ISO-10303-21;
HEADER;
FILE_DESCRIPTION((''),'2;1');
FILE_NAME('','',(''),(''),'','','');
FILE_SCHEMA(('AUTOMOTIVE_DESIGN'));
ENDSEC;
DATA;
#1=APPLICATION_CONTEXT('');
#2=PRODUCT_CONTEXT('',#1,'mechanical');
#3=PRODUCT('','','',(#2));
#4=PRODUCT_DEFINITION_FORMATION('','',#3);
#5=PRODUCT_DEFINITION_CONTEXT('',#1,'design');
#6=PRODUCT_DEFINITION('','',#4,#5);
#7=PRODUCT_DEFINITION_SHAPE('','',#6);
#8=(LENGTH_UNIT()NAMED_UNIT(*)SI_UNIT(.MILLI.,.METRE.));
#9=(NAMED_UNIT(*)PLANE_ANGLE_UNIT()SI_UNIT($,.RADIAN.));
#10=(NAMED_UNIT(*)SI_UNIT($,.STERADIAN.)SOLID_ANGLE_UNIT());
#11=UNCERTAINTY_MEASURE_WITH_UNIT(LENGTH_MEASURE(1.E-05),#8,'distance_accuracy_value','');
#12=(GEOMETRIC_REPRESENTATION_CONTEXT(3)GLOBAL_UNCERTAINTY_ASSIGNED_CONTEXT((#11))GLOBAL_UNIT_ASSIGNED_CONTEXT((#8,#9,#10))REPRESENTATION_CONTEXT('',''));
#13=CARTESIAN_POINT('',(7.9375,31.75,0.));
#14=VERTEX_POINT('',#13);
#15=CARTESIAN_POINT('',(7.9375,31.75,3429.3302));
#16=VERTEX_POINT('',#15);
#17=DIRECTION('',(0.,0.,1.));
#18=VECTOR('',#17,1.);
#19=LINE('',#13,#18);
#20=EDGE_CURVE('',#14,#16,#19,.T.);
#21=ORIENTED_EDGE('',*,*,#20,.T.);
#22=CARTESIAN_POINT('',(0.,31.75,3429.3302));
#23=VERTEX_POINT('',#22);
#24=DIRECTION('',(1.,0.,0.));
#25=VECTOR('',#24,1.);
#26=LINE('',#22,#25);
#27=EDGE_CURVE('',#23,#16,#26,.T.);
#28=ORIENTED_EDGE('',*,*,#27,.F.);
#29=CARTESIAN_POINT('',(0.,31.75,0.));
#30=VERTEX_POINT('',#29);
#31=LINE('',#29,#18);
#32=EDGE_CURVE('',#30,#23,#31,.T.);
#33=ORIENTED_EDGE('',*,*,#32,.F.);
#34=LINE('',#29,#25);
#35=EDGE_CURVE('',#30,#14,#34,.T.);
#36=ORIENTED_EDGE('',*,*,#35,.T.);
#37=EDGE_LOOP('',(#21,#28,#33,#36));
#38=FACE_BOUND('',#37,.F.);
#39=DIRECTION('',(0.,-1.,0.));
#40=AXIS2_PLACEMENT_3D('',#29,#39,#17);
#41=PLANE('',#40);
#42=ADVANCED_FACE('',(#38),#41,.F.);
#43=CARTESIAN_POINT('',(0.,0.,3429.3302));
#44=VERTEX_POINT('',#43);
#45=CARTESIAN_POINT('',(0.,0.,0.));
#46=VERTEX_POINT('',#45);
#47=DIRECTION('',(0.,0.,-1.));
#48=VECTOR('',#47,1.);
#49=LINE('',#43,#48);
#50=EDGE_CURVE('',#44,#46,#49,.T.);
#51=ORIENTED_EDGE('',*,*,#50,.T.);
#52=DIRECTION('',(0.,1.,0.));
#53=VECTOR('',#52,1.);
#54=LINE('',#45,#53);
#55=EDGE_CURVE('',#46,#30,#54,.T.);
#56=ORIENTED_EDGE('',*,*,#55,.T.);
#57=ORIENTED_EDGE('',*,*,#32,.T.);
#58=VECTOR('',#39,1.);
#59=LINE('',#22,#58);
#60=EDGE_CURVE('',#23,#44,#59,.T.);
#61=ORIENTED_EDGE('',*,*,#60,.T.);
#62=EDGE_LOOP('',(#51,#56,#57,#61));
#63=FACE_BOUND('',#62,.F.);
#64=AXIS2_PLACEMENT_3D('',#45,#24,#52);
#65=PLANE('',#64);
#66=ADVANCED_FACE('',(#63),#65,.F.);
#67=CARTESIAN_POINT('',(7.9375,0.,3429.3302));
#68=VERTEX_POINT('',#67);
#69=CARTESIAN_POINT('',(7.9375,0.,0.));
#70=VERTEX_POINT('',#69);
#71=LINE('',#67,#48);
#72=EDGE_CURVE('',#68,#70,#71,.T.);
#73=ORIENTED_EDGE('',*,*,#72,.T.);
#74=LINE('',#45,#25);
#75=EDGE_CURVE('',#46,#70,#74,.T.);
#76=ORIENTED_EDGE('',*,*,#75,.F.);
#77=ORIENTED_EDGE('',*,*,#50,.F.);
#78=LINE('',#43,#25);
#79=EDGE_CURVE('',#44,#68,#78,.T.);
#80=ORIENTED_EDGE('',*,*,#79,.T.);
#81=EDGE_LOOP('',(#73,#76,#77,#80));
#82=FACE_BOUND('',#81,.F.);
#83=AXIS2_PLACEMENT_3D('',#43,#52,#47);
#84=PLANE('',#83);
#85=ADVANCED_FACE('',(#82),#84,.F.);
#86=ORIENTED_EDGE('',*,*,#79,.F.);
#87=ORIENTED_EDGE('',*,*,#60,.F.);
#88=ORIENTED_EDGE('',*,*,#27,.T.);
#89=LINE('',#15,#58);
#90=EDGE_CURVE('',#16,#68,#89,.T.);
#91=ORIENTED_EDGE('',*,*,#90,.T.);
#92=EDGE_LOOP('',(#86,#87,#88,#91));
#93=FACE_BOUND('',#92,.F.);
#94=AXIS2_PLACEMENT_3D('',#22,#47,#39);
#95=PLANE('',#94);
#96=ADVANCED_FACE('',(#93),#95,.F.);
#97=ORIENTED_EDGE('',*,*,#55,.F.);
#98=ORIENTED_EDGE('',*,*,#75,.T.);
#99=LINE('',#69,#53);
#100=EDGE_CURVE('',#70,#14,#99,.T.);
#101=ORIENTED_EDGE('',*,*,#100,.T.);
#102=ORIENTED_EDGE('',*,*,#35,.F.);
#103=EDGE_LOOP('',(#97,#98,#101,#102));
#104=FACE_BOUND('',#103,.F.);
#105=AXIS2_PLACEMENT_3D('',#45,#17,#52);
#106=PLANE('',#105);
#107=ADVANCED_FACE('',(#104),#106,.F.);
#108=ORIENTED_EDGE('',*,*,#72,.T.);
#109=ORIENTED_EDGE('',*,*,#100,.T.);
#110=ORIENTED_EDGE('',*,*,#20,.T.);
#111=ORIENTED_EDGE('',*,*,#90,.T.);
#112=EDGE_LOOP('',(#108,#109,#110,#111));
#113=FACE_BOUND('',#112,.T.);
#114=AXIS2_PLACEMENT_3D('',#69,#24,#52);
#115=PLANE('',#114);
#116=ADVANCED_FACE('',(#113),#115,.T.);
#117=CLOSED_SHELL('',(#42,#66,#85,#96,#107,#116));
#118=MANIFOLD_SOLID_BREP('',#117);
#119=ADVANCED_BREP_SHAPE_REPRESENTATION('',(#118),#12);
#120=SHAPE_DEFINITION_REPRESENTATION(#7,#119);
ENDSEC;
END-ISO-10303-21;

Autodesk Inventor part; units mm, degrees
ref_plane "YZ Plane" through (0, 0, 0) normal (1, 0, 0) x (0, 1, 0)
ref_plane "XZ Plane" through (0, 0, 0) normal (0, 1, 0) x (-1, 0, 0)
ref_plane "XY Plane" through (0, 0, 0) normal (0, 0, 1) x (1, 0, 0)
sketch "Sketch1" plane through (0, 0, 0) normal (1, 0, 0) x (0, 1, 0)
  line L0 (0, 0) -> (31.75, 0)
  line L1 (31.75, 0) -> (31.75, 3429.3302)
  line L2 (31.75, 3429.3302) -> (0, 3429.3302)
  line L3 (0, 3429.3302) -> (0, 0)
  dimension "d1" = 31.75
  dimension "d4" = 3429.3302
extrude "Extrusion1" add sketch "Sketch1" along normal blind 7.9375
properties part number "Starter_Strip_For_Side_Wall"
